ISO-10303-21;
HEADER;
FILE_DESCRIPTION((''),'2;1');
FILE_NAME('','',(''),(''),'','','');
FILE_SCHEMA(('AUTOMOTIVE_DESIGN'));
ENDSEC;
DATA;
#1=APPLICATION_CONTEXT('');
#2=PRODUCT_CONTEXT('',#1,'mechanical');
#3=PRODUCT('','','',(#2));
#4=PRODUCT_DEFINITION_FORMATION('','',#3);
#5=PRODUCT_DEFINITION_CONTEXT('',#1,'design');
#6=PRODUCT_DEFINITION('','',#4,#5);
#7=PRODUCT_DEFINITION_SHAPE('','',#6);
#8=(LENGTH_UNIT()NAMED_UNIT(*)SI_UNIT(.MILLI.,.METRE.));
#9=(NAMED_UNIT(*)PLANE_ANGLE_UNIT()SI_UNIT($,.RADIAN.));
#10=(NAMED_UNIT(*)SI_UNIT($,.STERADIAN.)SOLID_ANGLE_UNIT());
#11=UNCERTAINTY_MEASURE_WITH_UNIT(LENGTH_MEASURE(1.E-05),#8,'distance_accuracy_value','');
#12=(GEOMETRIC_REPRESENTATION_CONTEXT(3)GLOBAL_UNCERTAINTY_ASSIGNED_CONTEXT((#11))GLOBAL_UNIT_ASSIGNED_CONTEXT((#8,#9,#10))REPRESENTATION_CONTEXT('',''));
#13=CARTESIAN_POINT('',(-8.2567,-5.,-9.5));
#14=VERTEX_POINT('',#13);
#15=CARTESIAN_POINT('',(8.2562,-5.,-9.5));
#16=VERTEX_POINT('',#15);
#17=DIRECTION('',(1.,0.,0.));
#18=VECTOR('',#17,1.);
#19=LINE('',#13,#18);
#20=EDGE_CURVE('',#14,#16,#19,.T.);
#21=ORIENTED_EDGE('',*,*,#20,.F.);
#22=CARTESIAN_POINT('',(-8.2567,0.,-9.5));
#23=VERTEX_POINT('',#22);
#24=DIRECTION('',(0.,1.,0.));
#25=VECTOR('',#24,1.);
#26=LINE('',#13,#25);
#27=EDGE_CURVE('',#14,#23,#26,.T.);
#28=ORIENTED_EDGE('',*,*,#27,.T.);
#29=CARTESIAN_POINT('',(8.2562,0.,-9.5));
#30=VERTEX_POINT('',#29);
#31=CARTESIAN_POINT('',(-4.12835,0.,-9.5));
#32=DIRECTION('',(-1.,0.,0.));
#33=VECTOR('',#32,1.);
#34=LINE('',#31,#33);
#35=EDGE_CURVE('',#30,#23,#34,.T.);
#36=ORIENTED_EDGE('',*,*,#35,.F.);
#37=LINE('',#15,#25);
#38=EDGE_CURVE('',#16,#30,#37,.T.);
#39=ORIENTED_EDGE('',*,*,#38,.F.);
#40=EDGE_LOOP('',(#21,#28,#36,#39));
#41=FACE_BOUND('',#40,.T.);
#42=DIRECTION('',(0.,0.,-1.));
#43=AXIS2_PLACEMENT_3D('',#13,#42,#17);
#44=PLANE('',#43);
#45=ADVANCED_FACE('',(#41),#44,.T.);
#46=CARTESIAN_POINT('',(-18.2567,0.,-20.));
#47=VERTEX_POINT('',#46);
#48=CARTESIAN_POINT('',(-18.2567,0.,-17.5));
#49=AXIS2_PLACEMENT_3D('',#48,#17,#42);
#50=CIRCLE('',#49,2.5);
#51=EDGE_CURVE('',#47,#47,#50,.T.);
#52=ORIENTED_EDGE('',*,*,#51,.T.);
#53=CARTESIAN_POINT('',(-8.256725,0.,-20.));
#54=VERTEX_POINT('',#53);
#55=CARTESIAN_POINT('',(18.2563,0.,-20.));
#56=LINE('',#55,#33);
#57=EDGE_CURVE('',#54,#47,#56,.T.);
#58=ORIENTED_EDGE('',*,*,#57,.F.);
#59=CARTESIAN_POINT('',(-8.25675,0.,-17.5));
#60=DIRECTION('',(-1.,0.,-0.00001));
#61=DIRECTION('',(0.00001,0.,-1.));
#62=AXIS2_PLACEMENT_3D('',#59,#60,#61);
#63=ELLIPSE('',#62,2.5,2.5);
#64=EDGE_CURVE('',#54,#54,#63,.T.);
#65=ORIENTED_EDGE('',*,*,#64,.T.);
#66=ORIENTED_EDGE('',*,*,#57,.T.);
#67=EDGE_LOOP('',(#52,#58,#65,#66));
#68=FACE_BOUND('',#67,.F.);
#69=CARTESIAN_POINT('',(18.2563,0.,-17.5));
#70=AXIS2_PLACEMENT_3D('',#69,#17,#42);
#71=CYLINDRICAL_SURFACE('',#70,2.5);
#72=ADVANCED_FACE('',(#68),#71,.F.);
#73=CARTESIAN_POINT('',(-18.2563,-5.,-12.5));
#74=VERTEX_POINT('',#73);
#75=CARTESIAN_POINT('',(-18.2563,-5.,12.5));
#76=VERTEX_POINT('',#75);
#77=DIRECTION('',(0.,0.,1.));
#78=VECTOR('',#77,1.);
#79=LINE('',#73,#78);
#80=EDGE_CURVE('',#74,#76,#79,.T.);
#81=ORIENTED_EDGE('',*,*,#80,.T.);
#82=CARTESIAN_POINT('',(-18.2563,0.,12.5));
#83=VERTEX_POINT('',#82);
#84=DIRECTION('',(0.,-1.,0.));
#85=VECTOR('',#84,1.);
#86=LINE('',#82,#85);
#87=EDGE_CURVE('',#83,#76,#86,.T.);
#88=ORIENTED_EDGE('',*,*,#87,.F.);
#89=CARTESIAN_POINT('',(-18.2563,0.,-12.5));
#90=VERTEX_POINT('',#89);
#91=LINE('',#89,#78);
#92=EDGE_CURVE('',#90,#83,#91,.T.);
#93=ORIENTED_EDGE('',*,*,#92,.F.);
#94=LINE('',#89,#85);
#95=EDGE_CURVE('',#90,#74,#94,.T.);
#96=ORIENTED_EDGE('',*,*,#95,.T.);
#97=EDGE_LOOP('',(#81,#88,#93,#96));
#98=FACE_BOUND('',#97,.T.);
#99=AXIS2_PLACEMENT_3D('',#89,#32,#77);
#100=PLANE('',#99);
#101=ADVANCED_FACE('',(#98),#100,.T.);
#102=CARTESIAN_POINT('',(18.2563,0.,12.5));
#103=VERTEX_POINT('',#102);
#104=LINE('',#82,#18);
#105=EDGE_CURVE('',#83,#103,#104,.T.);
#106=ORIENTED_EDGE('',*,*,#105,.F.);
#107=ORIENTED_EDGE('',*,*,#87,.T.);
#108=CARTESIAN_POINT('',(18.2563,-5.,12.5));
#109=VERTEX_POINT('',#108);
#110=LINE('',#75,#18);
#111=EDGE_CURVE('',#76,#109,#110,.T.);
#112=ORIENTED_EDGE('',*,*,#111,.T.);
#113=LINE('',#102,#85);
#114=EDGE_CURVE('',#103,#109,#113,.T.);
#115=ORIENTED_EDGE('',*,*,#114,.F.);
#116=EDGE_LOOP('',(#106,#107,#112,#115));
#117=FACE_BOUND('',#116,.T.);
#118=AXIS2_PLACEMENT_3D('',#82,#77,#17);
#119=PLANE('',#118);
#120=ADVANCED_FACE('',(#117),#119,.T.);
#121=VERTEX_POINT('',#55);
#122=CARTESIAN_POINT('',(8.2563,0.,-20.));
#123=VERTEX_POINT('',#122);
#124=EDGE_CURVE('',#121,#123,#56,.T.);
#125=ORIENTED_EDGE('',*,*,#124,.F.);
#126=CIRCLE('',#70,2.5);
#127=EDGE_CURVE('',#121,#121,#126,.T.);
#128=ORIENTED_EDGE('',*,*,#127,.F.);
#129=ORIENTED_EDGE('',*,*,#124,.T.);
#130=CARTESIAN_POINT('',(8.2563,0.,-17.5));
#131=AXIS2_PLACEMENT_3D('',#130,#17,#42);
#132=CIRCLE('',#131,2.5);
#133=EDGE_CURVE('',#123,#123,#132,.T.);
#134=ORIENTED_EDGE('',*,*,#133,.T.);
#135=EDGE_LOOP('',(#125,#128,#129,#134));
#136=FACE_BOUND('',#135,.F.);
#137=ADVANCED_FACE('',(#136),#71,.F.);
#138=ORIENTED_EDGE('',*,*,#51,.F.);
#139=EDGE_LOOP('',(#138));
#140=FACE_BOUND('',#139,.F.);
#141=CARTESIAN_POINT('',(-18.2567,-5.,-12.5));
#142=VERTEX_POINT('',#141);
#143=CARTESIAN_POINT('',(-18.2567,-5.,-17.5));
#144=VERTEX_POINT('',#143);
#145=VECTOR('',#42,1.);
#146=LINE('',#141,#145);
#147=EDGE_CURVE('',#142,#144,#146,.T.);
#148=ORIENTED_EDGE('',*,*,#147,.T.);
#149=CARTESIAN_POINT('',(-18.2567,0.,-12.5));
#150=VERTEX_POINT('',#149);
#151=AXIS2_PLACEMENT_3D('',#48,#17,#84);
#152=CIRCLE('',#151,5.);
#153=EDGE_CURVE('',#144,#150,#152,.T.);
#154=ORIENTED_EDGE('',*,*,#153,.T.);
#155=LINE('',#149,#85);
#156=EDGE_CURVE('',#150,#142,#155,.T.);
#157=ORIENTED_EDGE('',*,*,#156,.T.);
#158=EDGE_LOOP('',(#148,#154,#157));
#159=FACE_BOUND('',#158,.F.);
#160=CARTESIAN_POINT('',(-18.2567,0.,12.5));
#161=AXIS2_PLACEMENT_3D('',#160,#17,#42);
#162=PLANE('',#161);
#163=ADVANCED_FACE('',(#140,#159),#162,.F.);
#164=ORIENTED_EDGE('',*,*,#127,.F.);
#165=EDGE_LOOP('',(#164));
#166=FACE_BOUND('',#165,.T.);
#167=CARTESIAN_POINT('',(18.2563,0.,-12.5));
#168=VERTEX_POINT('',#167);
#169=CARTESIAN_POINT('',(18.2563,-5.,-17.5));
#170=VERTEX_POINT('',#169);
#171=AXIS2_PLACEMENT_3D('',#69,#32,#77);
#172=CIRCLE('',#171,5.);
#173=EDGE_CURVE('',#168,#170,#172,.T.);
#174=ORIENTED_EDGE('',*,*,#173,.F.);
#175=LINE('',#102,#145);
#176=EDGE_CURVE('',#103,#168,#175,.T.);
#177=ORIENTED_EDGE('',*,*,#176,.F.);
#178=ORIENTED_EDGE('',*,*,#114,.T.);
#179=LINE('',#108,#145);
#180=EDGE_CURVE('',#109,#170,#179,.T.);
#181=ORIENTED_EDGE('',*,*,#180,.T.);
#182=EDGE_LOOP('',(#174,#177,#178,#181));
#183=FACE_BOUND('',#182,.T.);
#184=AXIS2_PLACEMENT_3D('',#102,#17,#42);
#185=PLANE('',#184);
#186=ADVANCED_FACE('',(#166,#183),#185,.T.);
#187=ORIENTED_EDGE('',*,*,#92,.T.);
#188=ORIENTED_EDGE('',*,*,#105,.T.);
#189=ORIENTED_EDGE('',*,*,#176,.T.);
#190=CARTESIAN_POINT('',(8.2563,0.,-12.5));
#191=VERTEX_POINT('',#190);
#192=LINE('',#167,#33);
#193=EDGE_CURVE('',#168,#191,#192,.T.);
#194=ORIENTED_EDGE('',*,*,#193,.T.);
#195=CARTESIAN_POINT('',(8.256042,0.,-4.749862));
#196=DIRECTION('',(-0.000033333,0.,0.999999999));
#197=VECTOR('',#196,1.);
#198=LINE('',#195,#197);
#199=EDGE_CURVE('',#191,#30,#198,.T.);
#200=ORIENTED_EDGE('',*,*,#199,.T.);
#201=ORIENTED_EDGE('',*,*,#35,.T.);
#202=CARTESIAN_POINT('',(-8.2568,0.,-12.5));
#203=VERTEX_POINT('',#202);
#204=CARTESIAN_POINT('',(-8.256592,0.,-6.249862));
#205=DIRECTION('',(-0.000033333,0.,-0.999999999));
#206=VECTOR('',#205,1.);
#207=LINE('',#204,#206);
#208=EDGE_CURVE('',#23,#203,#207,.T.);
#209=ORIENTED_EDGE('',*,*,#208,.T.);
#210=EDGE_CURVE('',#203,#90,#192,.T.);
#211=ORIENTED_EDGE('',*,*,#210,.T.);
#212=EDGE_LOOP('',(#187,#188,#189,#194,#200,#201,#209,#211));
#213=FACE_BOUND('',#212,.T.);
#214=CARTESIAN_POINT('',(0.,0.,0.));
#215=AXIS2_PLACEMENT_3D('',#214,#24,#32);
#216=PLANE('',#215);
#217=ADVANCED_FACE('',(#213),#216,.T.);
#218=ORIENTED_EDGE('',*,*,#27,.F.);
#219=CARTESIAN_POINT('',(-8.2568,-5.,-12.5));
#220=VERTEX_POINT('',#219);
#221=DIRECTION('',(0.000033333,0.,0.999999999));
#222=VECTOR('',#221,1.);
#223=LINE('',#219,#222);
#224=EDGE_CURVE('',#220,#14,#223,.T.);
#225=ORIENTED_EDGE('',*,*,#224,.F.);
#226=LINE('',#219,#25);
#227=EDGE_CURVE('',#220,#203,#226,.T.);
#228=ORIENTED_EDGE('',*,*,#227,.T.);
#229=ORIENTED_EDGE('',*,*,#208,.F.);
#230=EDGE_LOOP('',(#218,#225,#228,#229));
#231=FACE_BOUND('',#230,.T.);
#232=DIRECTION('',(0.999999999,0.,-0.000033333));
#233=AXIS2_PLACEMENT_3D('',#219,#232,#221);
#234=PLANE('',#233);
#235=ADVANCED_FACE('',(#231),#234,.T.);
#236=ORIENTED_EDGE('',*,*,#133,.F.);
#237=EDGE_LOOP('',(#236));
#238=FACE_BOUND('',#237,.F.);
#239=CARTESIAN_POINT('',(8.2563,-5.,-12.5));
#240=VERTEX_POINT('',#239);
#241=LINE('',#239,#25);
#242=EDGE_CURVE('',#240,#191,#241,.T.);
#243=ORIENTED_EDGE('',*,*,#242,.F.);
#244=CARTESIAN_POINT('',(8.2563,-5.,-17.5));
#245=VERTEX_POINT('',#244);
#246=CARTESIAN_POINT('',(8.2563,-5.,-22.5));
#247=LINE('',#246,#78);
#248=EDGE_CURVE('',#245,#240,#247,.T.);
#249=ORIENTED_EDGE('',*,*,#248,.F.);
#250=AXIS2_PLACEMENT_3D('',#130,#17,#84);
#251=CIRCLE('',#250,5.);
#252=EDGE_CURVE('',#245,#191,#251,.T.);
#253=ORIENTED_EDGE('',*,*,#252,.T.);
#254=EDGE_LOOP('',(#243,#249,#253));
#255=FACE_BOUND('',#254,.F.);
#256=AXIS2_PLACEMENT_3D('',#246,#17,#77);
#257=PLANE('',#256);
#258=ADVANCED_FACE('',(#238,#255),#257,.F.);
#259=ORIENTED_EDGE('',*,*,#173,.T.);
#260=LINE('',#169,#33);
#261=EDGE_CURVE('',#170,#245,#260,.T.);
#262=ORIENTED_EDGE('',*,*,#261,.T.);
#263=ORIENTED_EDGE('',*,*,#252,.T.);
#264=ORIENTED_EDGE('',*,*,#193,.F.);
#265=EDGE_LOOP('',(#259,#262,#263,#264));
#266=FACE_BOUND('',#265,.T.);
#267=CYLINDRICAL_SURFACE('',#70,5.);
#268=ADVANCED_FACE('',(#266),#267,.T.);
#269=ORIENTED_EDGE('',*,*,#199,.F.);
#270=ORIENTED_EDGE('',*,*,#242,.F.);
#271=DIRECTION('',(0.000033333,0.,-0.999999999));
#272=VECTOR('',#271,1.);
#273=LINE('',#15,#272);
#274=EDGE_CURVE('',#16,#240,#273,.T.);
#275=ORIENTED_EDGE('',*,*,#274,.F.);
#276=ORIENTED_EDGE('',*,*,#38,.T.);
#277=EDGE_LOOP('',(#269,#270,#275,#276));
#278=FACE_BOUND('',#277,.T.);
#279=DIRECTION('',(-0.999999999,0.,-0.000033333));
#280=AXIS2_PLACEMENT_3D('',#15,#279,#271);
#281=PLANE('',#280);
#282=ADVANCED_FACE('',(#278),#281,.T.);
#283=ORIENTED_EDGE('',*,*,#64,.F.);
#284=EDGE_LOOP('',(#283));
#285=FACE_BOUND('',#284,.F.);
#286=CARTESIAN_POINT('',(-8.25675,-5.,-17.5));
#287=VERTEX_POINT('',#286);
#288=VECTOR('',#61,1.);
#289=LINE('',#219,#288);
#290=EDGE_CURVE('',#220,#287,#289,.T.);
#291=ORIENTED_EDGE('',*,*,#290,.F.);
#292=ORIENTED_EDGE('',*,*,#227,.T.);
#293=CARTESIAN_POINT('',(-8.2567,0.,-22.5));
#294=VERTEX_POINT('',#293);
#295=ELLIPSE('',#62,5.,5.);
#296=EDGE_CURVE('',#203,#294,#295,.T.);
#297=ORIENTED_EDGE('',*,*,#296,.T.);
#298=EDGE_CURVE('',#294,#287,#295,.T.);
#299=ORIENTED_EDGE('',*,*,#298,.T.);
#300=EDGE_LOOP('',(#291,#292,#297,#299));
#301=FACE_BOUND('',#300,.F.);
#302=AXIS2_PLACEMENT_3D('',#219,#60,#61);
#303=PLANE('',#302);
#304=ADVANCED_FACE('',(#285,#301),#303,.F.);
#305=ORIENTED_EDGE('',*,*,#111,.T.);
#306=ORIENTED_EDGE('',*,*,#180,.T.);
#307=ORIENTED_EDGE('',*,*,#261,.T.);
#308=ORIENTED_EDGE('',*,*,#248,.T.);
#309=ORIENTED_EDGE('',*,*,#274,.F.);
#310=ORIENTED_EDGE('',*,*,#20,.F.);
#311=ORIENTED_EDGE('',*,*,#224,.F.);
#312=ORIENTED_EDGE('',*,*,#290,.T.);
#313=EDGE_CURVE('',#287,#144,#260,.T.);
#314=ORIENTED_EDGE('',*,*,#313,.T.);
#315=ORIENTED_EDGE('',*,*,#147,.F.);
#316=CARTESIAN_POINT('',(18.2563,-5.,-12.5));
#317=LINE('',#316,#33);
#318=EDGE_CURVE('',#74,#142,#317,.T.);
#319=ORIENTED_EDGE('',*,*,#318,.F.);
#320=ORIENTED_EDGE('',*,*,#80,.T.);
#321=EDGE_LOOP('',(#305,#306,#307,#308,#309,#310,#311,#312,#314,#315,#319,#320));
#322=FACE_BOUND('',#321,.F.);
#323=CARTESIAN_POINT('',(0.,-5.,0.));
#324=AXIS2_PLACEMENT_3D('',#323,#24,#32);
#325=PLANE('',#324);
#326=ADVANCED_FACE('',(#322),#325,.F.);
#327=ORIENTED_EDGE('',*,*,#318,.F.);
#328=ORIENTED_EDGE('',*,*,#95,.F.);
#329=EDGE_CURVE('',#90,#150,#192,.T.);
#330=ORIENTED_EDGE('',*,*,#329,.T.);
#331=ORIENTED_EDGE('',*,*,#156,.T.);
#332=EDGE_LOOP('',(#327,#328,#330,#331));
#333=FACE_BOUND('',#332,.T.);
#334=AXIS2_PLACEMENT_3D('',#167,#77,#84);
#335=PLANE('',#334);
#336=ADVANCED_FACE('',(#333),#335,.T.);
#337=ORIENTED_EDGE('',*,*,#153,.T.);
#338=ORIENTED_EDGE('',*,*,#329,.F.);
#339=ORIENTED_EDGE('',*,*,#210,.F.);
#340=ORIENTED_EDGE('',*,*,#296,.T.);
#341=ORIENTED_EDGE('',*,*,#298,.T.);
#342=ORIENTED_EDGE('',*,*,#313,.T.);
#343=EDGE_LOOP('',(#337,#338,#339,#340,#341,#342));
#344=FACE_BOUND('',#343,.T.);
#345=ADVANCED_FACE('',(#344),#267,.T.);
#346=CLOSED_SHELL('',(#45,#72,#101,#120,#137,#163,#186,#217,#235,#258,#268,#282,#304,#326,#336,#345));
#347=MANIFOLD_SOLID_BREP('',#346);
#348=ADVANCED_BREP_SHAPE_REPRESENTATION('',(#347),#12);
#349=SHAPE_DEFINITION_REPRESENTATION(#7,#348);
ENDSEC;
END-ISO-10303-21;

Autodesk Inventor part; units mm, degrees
ref_plane "YZ Plane" through (0, 0, 0) normal (1, 0, 0) x (0, 1, 0)
ref_plane "XZ Plane" through (0, 0, 0) normal (0, 1, 0) x (-1, 0, 0)
ref_plane "XY Plane" through (0, 0, 0) normal (0, 0, 1) x (1, 0, 0)
sketch "Sketch1" plane through (0, 0, 0) normal (0, 1, 0) x (-1, 0, 0)
  line L0 (-18.2563, -12.5) -> (18.2563, -12.5)
  line L1 (18.2563, -12.5) -> (18.2563, 12.5)
  line L2 (18.2563, 12.5) -> (-18.2563, 12.5)
  line L3 (-18.2563, 12.5) -> (-18.2563, -12.5)
  line L4 (-18.2563, -12.5) -> (18.2563, 12.5) construction
  line L5 (18.2563, -12.5) -> (-18.2563, 12.5) construction
  point P0 (0, 0)
  dimension "d0" = 36.5125
  dimension "d1" = 25
extrude "Extrusion1" add sketch "Sketch1" against normal blind 5
sketch "Sketch2" plane through (18.2563, 0, 12.5) normal (1, 0, 0) x (0, 0, -1)
  line L0 (25, 0) -> (25, -5) projected
  circle A0 centre (30, 0) radius 5
  line L1 (25, -5) -> (0, -5) projected
  line L2 (25, -5) -> (30, -5)
  line L3 (30, -5) -> (30, 0)
  line L4 (30, 0) -> (25, 0)
  line L5 (25, 0) -> (25, -5)
  point P0 (12.5, 0)
  dimension "d4" = 5
  dimension "d5" = 5
extrude "Extrusion2" add sketch "Sketch2" against normal blind 36.513
sketch "Sketch3" plane through (18.2563, -5, 12.5) normal (1, 0, 0) x (0, 0, -1)
  circle A0 centre (30, 5) radius 2.5
  line L0 (0, 5) -> (25, 5) projected
  point P0 (12.5, 5)
  dimension "d8" = 0
  dimension "d9" = 5
  dimension "d10" = 5
extrude "Extrusion3" cut sketch "Sketch3" against normal blind 36.513
sketch "Sketch4" plane through (0, -5, 0) normal (0, -1, 0) x (1, 0, 0)
  line L0 (18.2563, -12.5) -> (-18.2563, -12.5) projected
  line L1 (18.2563, -22.5) -> (-18.2567, -22.5) projected
  line L2 (8.2563, -12.5) -> (-8.2568, -12.5)
  line L3 (-8.2568, -12.5) -> (-8.2567, -22.5)
  line L4 (-8.2567, -22.5) -> (8.2563, -22.5)
  line L5 (8.2563, -22.5) -> (8.2563, -12.5)
  line L6 (18.2563, -22.5) -> (18.2563, -12.5) projected
  line L7 (-18.2567, -12.5) -> (-18.2567, -22.5) projected
  line L8 (8.2563, -12.5) -> (-8.2567, -12.5)
  line L9 (-8.2567, -12.5) -> (-8.2567, -9.5)
  line L10 (-8.2567, -9.5) -> (8.2562, -9.5)
  line L11 (8.2562, -9.5) -> (8.2563, -12.5)
  point P0 (0, 0)
  point P1 (18.2563, -17.5)
  point P2 (-18.2567, -17.5)
  point P3 (8.2562, -11)
  dimension "d13" = 10
  dimension "d14" = 10
  dimension "d15" = 3
  dimension "d16" = 16.513
extrude "Extrusion4" cut sketch "Sketch4" against normal blind 36.513 contours L5 L1 L3 L0 | L0 L9 L10 L11
properties part number "hinge 1" material "Stainless Steel"
